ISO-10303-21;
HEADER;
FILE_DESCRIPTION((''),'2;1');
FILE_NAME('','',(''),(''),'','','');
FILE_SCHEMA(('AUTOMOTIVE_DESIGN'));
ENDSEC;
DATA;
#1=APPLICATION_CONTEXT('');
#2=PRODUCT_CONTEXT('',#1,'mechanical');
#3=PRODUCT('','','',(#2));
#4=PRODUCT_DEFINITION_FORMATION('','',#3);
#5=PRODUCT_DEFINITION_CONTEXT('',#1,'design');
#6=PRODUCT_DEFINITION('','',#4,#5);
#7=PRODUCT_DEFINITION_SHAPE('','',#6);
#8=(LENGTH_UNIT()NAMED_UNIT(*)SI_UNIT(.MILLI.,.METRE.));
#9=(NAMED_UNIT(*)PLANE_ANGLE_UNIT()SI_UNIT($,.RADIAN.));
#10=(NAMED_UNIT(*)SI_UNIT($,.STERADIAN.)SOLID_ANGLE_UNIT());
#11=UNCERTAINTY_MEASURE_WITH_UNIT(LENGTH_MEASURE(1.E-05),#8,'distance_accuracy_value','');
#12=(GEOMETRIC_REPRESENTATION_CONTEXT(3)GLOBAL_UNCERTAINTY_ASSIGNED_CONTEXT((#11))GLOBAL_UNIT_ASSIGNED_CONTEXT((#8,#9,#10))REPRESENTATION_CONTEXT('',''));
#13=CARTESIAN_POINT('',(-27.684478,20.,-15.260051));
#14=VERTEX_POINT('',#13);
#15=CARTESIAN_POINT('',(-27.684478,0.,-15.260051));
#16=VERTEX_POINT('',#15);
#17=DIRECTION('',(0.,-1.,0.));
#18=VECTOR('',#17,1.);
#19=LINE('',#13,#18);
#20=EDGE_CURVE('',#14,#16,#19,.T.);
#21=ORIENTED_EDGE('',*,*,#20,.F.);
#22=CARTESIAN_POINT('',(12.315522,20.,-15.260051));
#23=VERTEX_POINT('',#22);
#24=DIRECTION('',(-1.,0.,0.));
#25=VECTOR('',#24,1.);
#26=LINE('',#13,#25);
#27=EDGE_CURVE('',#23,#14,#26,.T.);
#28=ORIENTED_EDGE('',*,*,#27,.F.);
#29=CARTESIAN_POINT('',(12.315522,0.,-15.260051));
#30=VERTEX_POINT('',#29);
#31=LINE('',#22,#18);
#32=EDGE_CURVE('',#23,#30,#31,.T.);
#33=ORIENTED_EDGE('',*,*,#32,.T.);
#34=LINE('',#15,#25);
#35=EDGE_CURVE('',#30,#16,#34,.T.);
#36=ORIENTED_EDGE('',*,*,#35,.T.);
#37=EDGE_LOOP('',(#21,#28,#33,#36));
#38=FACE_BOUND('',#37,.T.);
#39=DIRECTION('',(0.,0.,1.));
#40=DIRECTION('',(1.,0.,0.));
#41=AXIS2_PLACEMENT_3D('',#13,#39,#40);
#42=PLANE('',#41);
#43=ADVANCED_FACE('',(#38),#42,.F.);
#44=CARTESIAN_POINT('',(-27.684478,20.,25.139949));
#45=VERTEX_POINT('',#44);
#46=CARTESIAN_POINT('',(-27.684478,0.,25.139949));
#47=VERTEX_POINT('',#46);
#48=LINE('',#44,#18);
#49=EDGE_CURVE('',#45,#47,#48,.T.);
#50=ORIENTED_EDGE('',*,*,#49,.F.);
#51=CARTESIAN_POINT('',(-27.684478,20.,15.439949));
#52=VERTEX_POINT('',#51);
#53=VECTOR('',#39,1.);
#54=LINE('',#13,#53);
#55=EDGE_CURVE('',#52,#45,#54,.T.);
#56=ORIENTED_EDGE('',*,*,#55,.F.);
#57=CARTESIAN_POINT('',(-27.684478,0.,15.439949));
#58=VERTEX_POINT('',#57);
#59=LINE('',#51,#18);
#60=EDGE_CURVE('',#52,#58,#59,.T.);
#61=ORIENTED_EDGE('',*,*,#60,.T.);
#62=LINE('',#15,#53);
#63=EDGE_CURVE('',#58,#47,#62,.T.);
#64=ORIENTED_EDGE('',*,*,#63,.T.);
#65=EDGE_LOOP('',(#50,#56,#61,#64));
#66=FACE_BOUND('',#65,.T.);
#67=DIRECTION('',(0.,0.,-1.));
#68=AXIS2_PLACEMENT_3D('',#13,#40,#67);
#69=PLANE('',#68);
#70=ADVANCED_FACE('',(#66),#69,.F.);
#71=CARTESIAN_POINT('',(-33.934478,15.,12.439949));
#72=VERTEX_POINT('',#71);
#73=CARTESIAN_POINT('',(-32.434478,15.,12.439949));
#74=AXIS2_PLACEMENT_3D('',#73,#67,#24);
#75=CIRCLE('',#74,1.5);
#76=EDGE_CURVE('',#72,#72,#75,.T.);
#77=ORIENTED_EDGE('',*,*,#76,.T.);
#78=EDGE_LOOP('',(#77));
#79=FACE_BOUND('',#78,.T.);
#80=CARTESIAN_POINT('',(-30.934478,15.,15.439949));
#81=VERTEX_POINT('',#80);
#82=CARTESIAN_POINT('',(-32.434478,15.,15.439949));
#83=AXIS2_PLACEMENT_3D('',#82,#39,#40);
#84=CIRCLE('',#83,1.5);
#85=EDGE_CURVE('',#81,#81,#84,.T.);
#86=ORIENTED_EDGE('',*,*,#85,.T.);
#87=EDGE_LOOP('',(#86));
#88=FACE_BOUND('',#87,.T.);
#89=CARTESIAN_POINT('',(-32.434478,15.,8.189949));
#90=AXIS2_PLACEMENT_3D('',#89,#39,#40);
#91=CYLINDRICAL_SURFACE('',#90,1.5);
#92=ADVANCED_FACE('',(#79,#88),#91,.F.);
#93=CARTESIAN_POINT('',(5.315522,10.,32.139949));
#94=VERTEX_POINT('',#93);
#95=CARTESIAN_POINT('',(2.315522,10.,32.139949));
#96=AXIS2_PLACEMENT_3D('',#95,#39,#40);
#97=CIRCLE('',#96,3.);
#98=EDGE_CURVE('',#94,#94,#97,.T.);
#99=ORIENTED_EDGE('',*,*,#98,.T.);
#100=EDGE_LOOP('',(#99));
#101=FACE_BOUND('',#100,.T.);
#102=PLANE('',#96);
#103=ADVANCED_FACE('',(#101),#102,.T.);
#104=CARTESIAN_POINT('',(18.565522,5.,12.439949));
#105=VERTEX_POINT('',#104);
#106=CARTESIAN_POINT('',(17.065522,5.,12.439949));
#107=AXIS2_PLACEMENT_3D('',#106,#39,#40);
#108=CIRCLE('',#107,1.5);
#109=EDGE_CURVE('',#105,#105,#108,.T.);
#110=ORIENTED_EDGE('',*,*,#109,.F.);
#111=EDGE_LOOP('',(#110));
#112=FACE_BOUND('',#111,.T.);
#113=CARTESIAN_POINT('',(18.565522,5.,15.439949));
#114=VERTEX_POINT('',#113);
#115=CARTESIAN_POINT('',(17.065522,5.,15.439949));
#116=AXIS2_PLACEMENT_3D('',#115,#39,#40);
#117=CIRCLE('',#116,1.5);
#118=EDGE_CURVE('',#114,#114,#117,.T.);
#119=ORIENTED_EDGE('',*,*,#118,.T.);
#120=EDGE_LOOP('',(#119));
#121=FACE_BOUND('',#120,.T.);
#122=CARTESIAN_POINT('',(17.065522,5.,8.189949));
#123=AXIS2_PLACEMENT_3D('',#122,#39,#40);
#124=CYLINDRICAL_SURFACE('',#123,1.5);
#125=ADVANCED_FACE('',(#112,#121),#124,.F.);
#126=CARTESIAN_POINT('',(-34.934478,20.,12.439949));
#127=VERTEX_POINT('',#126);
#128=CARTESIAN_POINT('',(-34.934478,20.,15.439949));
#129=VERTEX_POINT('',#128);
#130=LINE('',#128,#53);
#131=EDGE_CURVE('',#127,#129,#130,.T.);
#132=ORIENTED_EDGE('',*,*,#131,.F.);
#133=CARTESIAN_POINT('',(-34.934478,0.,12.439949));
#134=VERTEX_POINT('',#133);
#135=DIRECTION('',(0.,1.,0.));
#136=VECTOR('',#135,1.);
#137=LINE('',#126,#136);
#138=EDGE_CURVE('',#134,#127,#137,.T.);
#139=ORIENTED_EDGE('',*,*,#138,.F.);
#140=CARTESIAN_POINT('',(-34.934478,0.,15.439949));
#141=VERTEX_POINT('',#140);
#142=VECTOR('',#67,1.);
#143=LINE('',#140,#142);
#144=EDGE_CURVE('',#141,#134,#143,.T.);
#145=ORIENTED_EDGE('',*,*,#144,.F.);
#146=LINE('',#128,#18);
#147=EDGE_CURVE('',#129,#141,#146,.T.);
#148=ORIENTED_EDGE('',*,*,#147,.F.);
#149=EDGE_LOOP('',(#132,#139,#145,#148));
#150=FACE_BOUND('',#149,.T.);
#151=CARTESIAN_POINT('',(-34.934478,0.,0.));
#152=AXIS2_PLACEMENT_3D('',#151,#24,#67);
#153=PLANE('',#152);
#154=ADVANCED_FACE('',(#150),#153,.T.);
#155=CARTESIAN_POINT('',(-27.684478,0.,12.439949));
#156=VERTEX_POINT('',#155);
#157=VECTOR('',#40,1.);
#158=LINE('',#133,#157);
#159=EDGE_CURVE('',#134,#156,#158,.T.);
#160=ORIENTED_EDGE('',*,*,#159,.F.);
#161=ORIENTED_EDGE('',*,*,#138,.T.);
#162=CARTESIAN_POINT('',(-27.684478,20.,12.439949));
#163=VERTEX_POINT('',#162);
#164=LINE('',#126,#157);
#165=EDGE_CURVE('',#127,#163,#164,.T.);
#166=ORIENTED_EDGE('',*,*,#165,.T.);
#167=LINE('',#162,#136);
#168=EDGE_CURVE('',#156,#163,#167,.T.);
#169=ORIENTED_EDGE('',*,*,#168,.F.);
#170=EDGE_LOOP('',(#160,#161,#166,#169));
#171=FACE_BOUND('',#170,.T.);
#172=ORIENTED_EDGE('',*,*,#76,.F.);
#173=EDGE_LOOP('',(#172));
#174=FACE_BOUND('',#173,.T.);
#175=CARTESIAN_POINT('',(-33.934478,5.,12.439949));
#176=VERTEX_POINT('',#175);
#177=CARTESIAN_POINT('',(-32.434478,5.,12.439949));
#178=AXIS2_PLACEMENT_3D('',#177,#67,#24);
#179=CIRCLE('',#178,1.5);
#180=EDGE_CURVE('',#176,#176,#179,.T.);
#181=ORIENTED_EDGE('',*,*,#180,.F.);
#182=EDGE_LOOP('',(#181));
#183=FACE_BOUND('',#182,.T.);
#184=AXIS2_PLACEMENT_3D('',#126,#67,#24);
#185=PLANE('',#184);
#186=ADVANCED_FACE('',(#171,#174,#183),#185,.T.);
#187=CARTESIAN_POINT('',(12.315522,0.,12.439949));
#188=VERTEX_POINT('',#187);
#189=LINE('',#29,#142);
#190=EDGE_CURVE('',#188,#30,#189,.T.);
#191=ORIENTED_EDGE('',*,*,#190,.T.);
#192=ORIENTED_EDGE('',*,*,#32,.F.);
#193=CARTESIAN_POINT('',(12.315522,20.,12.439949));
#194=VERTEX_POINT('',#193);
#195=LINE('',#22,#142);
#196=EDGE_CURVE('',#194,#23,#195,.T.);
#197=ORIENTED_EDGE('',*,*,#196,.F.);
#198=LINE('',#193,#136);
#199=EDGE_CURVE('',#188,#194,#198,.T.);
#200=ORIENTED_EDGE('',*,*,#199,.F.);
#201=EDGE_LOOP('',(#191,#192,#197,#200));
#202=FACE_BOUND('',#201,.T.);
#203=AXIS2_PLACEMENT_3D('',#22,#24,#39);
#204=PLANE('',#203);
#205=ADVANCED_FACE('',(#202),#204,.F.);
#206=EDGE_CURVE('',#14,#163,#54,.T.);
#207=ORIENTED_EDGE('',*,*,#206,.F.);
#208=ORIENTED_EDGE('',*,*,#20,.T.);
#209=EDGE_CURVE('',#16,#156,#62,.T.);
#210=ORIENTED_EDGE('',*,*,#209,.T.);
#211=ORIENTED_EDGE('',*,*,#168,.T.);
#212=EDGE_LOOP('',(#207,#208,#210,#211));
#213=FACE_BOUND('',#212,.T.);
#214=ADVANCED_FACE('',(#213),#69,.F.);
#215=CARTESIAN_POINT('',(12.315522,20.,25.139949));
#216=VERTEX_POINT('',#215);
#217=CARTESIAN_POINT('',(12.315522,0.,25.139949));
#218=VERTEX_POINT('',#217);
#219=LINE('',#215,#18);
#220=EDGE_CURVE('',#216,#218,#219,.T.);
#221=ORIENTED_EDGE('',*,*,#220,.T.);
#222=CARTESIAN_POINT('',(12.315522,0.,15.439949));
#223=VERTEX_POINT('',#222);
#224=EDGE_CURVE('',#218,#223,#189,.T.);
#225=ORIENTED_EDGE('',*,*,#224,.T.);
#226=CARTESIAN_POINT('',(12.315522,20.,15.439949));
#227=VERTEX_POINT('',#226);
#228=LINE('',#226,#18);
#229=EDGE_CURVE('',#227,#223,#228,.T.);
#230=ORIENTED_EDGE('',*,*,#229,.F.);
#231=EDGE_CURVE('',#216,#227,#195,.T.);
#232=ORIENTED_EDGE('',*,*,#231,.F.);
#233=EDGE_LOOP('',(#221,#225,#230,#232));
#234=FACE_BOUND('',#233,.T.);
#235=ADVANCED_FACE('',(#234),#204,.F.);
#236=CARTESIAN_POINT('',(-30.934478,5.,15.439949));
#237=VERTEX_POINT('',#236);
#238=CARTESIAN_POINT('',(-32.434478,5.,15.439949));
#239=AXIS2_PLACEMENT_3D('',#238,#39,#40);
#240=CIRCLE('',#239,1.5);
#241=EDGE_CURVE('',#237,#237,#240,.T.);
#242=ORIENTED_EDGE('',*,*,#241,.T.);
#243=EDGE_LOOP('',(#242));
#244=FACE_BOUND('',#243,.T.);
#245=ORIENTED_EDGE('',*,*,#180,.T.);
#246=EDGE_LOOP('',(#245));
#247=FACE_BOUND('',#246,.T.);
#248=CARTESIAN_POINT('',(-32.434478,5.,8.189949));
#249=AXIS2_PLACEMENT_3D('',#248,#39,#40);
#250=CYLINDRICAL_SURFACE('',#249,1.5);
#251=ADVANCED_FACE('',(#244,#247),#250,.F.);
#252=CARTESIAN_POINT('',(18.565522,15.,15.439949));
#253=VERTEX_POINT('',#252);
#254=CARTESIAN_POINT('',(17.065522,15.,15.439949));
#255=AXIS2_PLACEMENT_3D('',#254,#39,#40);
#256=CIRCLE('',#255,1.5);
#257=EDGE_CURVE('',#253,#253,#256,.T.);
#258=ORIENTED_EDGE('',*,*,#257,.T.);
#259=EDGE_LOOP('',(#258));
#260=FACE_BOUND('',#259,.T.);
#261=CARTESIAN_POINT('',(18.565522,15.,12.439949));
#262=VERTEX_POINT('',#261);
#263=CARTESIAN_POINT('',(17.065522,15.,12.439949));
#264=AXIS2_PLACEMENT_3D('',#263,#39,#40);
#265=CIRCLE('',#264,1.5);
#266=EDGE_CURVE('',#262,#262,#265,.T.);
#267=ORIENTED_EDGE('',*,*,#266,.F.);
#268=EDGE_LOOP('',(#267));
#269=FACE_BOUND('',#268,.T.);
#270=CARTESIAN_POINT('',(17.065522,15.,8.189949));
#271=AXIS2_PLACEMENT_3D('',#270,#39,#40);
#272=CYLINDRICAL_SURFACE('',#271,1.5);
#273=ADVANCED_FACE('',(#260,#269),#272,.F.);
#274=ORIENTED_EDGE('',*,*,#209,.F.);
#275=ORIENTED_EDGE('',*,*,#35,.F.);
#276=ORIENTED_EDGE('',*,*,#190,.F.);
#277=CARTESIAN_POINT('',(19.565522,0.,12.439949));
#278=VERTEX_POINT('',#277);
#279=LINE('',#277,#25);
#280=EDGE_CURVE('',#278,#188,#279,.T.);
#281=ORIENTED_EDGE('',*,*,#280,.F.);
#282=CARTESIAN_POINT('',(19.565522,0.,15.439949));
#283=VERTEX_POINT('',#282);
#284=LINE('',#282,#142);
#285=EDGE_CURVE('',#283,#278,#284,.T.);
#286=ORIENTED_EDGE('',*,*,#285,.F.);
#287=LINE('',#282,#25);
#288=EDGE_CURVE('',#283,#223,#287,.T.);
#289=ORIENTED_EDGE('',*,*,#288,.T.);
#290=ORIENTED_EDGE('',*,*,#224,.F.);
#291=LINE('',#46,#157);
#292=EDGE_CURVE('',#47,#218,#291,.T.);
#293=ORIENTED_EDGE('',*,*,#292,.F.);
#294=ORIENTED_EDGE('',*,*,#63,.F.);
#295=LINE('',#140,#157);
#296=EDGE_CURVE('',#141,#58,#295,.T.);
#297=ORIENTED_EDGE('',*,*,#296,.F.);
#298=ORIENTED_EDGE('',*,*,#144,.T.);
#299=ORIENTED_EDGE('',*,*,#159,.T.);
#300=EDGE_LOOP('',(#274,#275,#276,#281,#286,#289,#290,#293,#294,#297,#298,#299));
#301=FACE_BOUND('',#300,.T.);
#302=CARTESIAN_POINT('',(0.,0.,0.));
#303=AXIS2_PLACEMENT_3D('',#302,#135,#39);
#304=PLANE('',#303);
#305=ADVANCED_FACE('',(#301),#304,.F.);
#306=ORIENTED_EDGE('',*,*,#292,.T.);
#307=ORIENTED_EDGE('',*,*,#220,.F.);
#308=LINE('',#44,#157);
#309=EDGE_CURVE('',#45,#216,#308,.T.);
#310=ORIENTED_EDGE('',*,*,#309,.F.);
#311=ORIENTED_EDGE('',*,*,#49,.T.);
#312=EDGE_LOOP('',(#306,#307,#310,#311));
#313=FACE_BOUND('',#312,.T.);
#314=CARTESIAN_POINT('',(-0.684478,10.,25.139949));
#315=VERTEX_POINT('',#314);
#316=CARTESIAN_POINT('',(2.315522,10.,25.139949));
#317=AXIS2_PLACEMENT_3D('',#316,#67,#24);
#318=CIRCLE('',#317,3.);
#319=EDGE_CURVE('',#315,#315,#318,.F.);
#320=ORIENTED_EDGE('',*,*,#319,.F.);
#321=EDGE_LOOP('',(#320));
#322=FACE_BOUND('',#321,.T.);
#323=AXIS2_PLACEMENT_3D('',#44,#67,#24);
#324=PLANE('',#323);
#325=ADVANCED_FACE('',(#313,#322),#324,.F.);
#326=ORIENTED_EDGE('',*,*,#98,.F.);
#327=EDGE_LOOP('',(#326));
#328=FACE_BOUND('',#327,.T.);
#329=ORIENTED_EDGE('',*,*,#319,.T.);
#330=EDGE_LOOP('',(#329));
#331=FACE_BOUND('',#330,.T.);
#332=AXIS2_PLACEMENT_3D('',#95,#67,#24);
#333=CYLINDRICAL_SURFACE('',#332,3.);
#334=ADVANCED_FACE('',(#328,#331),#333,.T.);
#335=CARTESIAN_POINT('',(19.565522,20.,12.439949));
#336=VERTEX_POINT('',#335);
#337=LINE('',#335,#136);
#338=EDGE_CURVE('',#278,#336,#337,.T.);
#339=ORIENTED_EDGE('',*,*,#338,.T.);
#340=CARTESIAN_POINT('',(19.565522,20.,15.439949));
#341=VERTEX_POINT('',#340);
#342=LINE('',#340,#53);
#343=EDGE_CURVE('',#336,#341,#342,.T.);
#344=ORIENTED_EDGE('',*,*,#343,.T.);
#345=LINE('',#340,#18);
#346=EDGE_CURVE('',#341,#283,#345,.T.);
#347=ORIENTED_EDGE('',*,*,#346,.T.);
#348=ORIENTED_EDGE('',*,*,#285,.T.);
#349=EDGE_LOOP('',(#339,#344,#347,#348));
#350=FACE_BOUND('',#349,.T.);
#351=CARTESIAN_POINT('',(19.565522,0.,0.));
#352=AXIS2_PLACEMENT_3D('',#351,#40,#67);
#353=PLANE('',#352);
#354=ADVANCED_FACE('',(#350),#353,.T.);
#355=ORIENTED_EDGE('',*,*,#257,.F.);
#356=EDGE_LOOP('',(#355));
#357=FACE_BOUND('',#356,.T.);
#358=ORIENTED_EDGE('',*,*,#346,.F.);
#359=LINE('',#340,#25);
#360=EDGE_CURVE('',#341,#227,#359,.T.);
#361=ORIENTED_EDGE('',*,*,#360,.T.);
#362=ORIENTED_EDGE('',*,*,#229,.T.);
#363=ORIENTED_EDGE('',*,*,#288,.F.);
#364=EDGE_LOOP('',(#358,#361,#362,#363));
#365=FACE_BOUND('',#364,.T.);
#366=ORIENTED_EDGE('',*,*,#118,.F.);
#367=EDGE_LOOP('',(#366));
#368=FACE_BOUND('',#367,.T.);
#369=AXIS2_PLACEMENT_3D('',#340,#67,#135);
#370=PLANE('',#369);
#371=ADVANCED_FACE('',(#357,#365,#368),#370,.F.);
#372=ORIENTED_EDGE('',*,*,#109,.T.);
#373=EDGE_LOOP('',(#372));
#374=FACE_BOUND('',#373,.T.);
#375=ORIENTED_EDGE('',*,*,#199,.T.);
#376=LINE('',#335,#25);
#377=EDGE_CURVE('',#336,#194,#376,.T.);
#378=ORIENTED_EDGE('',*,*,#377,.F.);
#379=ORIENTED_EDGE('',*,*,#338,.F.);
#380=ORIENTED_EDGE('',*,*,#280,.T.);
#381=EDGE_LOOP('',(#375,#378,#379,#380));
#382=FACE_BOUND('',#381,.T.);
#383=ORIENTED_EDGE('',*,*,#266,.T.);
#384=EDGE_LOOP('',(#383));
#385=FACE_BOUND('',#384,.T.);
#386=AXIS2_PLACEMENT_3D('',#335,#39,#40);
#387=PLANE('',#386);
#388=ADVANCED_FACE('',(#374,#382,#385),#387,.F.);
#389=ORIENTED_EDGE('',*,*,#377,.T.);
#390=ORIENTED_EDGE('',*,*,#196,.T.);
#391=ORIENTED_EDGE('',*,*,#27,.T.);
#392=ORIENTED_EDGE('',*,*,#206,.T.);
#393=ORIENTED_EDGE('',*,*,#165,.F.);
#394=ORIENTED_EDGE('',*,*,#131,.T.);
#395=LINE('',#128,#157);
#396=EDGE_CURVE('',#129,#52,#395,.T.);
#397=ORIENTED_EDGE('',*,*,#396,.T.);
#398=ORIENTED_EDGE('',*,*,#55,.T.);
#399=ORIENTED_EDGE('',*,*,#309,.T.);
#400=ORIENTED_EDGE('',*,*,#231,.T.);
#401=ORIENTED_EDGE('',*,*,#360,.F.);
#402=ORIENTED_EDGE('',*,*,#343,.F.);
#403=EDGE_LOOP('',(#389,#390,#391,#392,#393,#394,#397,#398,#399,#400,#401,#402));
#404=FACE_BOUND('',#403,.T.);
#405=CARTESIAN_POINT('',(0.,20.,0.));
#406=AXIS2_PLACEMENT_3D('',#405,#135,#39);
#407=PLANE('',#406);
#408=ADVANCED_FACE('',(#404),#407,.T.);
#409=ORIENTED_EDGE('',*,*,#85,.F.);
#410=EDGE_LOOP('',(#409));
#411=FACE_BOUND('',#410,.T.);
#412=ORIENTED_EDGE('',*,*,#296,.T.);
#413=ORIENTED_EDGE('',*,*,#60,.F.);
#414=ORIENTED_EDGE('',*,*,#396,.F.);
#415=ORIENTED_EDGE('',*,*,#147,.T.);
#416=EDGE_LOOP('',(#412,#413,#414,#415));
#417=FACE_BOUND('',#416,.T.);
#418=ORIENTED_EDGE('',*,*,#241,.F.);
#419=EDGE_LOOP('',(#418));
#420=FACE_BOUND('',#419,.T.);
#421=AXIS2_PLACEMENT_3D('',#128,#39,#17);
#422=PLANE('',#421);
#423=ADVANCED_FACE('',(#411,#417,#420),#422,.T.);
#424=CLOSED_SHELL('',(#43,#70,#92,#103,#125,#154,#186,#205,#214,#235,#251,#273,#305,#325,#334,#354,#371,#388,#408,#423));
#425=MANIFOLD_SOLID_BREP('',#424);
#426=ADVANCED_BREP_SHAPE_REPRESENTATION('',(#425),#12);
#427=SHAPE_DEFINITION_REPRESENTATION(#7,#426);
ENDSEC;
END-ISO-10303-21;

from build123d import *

# Parameters (mm, degrees)
SKETCH1_W           = 40
SKETCH1_H           = 40.4
BOSS_EXTRUDE1_DEPTH = 20
SKETCH3_W           = 3
SKETCH3_H           = 20
BOSS_EXTRUDE2_DEPTH = 7.25
SKETCH5_R           = 1.5
CUT_EXTRUDE1_DEPTH  = 7.25
SKETCH6_R           = 3
BOSS_EXTRUDE3_DEPTH = 7


with BuildPart() as part:
    # Sketch1 → Boss-Extrude1 (new body)
    with BuildSketch(Plane(origin=(0, 0, 0), x_dir=(1, 0, 0), z_dir=(0, 1, 0))):
        with Locations((-7.684478372, -4.939949109)):
            Rectangle(SKETCH1_W, SKETCH1_H)
    extrude(amount=BOSS_EXTRUDE1_DEPTH)

    # Sketch3 → Boss-Extrude2 (add)
    with BuildSketch(Plane(origin=(12.315521628, 0, 0), x_dir=(0, 0, -1), z_dir=(1, 0, 0))):
        with Locations((-13.939949109, 10)):
            Rectangle(SKETCH3_W, SKETCH3_H)
    boss_extrude2 = extrude(amount=BOSS_EXTRUDE2_DEPTH)

    # Mirror1: Boss-Extrude2 across plane
    add(boss_extrude2.mirror(Plane.ZY.offset(7.684478372)))

    # Sketch5 → Cut-Extrude1 (cut)
    with BuildSketch(Plane.XY.offset(15.439949109)):
        with Locations((17.065521628, 15)):
            Circle(SKETCH5_R)
        with Locations((17.065521628, 5)):
            Circle(SKETCH5_R)
        with Locations((-32.434478372, 15)):
            Circle(SKETCH5_R)
        with Locations((-32.434478372, 5)):
            Circle(SKETCH5_R)
    extrude(amount=-CUT_EXTRUDE1_DEPTH, mode=Mode.SUBTRACT)

    # Sketch6 → Boss-Extrude3 (add)
    with BuildSketch(Plane.XY.offset(25.139949109)):
        with Locations((2.315521628, 10)):
            Circle(SKETCH6_R)
    extrude(amount=BOSS_EXTRUDE3_DEPTH)


solid = part.part
